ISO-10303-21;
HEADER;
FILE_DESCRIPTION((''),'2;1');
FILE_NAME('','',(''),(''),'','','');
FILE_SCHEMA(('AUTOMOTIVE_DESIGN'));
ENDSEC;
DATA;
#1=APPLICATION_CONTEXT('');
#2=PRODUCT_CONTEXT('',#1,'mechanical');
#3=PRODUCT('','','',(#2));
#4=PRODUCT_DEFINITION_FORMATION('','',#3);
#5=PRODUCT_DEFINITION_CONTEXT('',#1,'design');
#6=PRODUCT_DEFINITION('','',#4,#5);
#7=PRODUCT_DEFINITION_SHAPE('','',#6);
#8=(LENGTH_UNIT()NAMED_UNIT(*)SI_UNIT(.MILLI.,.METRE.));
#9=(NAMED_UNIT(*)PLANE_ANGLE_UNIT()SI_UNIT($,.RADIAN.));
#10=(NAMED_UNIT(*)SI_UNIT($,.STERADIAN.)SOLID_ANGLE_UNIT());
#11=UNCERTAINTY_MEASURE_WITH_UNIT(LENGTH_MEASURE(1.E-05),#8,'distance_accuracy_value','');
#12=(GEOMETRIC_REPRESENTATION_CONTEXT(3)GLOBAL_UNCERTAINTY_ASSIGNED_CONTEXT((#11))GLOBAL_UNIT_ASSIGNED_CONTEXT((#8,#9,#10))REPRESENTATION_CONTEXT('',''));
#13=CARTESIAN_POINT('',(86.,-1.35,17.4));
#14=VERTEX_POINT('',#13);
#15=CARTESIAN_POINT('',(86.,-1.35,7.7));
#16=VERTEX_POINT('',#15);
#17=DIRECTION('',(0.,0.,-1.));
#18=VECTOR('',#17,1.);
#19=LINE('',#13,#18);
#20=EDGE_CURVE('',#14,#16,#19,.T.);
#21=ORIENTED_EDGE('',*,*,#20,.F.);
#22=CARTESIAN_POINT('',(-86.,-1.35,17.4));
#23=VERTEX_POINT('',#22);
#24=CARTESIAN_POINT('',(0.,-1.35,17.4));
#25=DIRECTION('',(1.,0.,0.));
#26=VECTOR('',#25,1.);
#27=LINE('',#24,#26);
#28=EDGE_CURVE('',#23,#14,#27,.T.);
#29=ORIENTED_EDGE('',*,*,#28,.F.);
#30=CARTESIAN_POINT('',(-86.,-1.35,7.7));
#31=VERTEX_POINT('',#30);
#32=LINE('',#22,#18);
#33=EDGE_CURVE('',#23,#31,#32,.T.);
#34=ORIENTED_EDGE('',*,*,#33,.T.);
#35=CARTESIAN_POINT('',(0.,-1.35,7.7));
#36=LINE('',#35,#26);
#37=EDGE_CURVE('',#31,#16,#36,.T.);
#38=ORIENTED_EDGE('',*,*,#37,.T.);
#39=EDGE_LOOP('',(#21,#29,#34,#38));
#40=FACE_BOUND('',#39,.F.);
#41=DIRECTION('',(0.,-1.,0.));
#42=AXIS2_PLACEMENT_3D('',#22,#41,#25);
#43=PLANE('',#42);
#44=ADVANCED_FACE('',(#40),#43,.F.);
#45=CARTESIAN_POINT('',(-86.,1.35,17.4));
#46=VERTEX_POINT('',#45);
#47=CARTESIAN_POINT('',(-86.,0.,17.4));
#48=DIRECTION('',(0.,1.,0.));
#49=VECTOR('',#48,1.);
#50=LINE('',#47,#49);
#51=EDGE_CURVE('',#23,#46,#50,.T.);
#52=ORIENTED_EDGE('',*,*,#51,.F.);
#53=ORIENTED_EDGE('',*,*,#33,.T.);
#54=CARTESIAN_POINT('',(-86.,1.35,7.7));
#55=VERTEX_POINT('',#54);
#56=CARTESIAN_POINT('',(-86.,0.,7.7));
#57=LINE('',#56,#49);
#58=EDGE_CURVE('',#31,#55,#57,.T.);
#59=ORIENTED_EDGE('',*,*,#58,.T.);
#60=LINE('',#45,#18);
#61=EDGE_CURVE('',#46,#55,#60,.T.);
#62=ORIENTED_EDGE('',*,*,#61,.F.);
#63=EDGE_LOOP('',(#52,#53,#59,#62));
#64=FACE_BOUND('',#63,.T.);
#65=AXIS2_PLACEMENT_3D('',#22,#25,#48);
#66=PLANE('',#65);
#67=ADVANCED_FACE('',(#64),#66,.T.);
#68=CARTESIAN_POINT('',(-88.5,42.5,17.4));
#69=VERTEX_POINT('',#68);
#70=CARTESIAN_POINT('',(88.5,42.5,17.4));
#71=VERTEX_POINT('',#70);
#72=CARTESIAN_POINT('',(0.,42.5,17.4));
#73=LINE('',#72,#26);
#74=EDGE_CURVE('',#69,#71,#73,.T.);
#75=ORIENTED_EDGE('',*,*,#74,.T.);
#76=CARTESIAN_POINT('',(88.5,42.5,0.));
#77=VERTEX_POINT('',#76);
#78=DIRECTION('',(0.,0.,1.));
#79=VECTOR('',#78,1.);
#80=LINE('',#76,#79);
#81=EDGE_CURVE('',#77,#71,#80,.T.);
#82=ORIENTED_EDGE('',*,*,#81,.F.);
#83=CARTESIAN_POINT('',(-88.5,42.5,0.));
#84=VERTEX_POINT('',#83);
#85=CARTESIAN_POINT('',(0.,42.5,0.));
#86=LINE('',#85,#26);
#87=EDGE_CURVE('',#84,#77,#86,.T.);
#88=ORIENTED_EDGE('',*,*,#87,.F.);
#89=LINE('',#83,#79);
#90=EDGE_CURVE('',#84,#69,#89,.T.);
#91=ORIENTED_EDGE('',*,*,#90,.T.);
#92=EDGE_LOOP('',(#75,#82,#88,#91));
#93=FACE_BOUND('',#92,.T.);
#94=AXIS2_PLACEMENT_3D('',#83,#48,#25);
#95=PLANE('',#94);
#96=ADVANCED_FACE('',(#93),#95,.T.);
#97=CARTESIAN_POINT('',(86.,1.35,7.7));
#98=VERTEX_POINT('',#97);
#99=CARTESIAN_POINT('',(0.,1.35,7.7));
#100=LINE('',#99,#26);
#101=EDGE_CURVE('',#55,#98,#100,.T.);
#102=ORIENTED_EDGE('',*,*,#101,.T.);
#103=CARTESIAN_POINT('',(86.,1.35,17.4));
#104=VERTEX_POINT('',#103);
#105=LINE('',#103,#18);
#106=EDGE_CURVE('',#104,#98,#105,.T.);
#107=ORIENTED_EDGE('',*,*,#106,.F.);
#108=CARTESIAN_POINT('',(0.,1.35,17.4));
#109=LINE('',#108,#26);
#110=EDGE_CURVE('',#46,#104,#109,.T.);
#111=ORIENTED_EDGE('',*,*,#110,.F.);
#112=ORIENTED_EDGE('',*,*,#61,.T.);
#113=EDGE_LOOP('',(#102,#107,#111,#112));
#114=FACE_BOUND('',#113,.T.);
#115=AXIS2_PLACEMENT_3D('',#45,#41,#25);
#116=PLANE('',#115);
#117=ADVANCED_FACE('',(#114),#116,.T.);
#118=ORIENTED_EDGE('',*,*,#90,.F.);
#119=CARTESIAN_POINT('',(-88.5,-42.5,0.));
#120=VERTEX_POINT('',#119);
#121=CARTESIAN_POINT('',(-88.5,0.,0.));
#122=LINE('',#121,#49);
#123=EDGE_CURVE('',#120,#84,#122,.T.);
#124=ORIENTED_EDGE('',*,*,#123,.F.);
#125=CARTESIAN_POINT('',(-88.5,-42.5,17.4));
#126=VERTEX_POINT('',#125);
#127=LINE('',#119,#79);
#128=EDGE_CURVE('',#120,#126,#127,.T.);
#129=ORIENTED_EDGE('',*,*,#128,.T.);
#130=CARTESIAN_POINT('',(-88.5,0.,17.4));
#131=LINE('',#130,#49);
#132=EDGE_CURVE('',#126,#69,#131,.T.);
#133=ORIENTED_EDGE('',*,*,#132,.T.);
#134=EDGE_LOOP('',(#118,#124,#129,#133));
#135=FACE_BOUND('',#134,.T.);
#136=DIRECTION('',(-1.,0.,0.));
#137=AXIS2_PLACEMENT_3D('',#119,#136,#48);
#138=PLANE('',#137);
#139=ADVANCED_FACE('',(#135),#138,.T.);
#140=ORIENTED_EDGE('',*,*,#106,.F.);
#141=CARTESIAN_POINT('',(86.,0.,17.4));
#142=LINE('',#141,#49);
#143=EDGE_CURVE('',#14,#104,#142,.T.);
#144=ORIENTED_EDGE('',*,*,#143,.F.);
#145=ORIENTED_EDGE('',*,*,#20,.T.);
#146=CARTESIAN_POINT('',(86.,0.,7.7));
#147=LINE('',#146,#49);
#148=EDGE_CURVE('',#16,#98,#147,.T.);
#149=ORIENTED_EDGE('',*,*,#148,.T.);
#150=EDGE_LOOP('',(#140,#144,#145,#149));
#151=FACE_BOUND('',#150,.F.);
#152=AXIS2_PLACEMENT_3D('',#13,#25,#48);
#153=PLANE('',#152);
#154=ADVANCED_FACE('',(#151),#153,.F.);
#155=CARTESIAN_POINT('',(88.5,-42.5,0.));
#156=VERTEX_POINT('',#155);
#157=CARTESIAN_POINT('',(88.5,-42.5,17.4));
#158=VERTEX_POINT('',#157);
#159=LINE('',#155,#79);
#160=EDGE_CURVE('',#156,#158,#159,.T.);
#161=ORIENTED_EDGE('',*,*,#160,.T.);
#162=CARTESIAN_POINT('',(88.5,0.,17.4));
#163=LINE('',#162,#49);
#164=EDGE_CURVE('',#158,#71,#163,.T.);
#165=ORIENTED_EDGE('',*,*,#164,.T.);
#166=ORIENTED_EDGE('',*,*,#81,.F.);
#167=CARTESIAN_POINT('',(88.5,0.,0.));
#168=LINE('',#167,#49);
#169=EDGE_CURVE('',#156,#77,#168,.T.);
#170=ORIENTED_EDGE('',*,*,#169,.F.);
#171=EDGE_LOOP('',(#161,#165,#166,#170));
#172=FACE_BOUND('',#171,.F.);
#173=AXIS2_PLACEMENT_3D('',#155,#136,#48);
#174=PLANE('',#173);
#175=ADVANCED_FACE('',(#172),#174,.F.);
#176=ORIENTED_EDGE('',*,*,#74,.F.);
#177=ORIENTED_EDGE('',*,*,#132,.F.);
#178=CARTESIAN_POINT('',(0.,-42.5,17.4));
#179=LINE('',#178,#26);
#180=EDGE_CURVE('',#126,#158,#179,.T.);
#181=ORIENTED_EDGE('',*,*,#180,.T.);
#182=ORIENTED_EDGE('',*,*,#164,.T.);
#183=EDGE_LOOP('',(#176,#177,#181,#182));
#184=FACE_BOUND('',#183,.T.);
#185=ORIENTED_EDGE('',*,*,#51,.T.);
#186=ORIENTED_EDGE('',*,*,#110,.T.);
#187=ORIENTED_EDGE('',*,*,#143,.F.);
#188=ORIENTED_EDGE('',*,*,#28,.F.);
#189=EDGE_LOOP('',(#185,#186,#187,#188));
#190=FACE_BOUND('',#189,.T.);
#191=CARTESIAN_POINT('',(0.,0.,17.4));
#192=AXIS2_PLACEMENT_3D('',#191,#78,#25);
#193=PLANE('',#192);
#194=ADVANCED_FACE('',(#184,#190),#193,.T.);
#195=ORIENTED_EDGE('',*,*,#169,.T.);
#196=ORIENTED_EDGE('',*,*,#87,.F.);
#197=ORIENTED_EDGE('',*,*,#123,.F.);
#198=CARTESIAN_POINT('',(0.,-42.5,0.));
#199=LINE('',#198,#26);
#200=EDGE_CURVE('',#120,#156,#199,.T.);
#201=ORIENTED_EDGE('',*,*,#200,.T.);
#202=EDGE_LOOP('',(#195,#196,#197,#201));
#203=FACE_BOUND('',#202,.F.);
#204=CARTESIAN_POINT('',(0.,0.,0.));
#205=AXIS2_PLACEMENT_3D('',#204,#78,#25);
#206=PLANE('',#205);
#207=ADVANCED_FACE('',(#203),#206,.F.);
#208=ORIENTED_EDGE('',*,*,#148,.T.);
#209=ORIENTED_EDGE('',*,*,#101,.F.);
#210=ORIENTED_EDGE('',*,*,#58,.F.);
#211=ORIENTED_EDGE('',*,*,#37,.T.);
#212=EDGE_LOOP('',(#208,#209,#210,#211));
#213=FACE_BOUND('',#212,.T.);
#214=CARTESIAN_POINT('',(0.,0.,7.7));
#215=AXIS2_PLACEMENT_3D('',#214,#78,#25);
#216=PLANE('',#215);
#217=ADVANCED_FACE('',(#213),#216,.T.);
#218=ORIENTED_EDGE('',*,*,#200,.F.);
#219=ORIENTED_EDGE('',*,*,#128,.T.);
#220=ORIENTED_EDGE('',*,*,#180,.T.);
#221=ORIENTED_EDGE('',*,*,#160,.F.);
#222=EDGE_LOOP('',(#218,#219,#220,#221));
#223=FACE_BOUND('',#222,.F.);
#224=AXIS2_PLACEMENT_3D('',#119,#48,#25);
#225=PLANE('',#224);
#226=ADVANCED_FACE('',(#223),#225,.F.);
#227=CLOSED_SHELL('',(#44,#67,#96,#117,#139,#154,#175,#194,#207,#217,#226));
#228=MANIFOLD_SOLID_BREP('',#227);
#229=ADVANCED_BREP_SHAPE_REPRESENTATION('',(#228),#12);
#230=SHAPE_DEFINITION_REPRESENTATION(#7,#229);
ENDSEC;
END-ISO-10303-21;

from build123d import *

# Parameters (mm, degrees)
F0_W     = 177
F0_H     = 85
F1_DEPTH = 17.4
F2_W     = 172
F2_H     = 2.7
F3_DEPTH = 9.7


with BuildPart() as f1:
    # F0 (on Top) → F1 (new body)
    with BuildSketch(Plane.XY):
        Rectangle(F0_W, F0_H)
    extrude(amount=F1_DEPTH)

    # F2 (on face) → F3 (cut)
    with BuildSketch(Plane.XY.offset(17.4)):
        Rectangle(F2_W, F2_H)
    extrude(amount=-F3_DEPTH, mode=Mode.SUBTRACT)


solid = f1.part
